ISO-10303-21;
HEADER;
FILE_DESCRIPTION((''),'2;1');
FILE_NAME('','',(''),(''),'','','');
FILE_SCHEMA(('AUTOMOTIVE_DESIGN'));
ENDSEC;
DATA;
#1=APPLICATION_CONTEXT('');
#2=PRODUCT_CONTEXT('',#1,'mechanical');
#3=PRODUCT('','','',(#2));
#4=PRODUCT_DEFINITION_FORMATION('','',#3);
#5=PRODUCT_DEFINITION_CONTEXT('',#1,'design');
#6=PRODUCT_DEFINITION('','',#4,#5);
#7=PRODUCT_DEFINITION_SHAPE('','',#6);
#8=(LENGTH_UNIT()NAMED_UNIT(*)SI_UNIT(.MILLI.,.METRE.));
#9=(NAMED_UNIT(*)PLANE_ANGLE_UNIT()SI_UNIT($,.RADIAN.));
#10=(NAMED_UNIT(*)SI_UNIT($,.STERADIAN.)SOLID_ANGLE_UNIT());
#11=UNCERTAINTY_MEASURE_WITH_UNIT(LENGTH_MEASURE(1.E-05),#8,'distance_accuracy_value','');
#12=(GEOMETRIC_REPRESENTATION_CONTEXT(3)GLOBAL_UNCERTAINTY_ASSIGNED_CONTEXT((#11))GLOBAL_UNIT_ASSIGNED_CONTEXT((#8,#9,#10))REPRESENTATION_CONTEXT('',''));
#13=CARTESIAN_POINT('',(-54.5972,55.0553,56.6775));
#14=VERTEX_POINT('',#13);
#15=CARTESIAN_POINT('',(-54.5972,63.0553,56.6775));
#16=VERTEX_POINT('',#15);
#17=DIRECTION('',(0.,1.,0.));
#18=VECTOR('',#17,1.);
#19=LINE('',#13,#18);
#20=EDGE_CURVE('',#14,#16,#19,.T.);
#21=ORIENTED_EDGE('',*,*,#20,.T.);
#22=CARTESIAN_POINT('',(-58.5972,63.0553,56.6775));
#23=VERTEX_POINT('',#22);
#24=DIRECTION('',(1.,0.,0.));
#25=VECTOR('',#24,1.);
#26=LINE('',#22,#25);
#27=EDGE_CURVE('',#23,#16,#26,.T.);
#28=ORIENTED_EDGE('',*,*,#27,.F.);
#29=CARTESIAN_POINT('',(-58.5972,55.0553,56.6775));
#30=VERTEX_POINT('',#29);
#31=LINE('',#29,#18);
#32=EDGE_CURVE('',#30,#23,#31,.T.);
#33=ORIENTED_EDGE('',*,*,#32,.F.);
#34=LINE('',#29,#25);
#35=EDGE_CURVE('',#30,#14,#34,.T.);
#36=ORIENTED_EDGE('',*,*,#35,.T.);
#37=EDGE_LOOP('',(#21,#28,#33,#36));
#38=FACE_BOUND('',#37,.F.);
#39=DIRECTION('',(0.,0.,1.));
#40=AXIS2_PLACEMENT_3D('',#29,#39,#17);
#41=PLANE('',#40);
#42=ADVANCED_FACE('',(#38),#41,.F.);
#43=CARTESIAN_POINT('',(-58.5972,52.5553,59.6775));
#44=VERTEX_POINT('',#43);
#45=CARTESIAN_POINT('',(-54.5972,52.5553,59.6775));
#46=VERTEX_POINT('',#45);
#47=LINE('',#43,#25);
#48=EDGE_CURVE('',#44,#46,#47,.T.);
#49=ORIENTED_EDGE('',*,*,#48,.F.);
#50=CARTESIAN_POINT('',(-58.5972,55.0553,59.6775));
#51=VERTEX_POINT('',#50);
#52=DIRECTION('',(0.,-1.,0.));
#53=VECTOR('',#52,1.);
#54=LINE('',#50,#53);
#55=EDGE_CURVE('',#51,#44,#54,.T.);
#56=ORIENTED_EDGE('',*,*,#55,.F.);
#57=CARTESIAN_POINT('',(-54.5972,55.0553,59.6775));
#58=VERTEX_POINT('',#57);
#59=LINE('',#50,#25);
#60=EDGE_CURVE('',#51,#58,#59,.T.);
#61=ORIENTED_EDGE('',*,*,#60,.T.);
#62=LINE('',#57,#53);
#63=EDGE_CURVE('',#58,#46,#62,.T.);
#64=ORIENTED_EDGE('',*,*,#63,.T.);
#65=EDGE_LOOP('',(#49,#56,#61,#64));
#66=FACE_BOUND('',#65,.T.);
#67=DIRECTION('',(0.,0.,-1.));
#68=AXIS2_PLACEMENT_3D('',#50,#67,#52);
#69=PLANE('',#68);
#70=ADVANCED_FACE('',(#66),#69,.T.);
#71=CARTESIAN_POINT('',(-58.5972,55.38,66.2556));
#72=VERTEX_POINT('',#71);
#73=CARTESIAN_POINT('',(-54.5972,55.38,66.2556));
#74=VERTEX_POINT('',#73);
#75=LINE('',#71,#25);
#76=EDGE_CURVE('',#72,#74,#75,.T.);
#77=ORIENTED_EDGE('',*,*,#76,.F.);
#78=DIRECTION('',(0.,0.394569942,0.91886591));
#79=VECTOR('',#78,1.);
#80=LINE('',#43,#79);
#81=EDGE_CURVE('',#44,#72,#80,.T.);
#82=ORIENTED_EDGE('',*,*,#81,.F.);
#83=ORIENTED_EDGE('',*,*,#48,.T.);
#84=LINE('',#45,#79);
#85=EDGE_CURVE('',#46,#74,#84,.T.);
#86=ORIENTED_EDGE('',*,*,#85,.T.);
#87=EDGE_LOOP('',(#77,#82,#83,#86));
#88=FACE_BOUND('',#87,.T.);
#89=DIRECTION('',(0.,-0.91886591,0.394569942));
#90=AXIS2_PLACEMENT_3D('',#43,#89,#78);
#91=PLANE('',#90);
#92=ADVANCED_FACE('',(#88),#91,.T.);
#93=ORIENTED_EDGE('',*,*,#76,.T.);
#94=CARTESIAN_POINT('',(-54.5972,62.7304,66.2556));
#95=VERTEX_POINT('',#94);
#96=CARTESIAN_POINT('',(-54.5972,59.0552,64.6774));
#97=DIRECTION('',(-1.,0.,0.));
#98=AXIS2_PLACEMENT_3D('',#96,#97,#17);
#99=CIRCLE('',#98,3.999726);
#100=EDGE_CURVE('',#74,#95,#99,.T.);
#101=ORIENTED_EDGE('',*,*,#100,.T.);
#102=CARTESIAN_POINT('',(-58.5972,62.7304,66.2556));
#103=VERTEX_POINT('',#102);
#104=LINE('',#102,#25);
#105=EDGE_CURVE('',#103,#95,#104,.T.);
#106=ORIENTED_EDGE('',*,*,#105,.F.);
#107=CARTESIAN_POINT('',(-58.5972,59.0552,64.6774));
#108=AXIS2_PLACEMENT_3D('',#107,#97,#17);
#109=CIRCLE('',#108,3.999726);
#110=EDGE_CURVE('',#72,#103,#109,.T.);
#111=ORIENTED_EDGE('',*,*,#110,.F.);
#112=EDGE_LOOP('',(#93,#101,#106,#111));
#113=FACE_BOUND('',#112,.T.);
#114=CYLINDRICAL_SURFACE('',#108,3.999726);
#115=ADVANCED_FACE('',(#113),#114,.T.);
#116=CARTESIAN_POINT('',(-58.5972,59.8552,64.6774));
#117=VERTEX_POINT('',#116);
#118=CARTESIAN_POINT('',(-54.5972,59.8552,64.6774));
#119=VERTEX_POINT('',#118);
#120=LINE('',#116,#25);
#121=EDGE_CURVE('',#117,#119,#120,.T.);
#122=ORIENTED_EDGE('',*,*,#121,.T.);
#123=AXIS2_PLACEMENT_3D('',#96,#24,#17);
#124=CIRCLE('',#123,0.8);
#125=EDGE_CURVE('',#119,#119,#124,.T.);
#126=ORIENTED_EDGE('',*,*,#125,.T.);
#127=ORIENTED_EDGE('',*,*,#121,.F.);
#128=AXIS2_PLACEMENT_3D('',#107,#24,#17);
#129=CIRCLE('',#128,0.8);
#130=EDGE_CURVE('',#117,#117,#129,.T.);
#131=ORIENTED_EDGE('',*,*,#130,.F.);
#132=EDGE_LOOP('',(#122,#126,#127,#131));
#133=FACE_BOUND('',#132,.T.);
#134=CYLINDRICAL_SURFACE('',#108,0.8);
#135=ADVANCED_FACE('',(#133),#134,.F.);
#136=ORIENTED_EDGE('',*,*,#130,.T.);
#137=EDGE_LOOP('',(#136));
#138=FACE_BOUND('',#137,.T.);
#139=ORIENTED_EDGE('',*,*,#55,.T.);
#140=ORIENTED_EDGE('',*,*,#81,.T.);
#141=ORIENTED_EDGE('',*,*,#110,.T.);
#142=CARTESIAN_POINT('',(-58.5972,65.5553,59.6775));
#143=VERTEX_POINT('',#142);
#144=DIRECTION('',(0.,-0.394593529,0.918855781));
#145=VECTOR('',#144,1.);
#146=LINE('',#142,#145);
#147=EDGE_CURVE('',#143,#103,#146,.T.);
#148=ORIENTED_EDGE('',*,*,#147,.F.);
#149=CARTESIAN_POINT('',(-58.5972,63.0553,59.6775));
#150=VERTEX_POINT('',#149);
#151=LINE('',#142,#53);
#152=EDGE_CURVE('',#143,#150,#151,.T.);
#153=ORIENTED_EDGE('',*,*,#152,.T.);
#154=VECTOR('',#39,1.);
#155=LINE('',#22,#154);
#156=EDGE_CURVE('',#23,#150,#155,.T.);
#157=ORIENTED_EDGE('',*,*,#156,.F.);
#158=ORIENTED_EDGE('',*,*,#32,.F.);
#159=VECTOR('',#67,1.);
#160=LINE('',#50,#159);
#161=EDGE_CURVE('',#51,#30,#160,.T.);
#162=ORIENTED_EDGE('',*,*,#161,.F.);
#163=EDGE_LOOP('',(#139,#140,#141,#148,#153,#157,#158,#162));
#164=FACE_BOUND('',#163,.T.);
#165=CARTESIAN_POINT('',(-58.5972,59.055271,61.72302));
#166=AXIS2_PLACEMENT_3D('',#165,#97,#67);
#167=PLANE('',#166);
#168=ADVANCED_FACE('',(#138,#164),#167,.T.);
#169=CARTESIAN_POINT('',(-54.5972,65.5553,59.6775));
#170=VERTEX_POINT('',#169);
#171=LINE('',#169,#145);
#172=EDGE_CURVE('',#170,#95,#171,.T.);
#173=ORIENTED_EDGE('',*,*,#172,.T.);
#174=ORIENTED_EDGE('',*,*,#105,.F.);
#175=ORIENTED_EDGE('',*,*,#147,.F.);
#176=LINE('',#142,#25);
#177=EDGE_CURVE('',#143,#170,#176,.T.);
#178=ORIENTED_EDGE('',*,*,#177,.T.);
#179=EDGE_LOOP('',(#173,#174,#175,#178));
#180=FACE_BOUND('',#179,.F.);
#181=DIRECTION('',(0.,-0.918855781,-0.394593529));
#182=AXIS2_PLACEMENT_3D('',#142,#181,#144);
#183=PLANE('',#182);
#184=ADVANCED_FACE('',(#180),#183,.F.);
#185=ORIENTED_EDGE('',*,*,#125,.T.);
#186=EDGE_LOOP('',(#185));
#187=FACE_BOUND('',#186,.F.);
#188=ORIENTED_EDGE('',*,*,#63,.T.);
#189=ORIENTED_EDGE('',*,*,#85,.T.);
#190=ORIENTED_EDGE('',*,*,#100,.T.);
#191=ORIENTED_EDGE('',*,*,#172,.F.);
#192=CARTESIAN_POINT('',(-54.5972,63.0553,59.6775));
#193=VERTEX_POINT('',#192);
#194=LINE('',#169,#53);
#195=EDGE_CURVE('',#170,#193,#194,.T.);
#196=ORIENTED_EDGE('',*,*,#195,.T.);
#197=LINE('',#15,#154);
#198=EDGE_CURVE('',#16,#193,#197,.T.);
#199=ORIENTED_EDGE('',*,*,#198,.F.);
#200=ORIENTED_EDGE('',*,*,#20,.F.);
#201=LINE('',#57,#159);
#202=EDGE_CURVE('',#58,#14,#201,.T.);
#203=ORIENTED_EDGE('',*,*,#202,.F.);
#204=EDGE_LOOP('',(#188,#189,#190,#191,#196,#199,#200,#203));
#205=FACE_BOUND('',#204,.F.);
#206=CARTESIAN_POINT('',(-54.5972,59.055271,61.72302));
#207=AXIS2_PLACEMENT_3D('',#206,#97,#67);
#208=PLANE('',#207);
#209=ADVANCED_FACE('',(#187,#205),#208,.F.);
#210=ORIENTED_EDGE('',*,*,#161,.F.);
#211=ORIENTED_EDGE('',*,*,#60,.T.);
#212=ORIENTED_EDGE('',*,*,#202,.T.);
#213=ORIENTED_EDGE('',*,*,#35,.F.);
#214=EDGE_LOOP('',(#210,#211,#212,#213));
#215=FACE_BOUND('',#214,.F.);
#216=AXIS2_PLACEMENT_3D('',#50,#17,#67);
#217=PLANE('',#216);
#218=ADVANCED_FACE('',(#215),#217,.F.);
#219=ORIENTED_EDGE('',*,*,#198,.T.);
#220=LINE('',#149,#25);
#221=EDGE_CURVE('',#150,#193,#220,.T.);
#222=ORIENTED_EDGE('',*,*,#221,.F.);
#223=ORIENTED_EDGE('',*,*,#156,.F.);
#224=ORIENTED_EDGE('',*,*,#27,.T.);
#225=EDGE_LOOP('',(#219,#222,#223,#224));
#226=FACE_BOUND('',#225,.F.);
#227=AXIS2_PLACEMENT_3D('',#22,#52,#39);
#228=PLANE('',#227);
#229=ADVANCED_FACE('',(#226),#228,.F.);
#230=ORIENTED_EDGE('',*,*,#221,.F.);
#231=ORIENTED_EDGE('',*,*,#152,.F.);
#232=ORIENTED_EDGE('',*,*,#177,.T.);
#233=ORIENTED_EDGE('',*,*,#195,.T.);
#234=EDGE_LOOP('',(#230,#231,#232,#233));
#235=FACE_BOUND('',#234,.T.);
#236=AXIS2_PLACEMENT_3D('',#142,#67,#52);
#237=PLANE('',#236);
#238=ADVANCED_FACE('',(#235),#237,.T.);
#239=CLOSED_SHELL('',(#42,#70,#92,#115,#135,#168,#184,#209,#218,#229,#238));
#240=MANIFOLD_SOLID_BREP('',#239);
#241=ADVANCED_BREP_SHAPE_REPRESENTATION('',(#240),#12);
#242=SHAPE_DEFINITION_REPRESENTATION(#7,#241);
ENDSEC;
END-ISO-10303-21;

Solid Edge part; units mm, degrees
sketch "Sketch1" plane through (-58.5972, 0, 0) normal (1, 0, 0) x (0, 1, 0)
  line L0 (55.0553, 59.6775) -> (52.5553, 59.6775)
  line L1 (52.5553, 59.6775) -> (55.38, 66.2556)
  line L2 (65.5553, 59.6775) -> (62.7304, 66.2556)
  line L3 (65.5553, 59.6775) -> (63.0553, 59.6775)
  line L4 (63.0553, 56.6775) -> (63.0553, 59.6775)
  line L5 (55.0553, 56.6775) -> (63.0553, 56.6775)
  line L6 (55.0553, 59.6775) -> (55.0553, 56.6775)
  arc A0 (55.38, 66.2556) -> (62.7304, 66.2556) centre (59.0552, 64.6774) cw
  circle A1 centre (59.0552, 64.6774) radius 0.8
extrude "Protrusion1" add sketch "Sketch1" along normal blind 4
